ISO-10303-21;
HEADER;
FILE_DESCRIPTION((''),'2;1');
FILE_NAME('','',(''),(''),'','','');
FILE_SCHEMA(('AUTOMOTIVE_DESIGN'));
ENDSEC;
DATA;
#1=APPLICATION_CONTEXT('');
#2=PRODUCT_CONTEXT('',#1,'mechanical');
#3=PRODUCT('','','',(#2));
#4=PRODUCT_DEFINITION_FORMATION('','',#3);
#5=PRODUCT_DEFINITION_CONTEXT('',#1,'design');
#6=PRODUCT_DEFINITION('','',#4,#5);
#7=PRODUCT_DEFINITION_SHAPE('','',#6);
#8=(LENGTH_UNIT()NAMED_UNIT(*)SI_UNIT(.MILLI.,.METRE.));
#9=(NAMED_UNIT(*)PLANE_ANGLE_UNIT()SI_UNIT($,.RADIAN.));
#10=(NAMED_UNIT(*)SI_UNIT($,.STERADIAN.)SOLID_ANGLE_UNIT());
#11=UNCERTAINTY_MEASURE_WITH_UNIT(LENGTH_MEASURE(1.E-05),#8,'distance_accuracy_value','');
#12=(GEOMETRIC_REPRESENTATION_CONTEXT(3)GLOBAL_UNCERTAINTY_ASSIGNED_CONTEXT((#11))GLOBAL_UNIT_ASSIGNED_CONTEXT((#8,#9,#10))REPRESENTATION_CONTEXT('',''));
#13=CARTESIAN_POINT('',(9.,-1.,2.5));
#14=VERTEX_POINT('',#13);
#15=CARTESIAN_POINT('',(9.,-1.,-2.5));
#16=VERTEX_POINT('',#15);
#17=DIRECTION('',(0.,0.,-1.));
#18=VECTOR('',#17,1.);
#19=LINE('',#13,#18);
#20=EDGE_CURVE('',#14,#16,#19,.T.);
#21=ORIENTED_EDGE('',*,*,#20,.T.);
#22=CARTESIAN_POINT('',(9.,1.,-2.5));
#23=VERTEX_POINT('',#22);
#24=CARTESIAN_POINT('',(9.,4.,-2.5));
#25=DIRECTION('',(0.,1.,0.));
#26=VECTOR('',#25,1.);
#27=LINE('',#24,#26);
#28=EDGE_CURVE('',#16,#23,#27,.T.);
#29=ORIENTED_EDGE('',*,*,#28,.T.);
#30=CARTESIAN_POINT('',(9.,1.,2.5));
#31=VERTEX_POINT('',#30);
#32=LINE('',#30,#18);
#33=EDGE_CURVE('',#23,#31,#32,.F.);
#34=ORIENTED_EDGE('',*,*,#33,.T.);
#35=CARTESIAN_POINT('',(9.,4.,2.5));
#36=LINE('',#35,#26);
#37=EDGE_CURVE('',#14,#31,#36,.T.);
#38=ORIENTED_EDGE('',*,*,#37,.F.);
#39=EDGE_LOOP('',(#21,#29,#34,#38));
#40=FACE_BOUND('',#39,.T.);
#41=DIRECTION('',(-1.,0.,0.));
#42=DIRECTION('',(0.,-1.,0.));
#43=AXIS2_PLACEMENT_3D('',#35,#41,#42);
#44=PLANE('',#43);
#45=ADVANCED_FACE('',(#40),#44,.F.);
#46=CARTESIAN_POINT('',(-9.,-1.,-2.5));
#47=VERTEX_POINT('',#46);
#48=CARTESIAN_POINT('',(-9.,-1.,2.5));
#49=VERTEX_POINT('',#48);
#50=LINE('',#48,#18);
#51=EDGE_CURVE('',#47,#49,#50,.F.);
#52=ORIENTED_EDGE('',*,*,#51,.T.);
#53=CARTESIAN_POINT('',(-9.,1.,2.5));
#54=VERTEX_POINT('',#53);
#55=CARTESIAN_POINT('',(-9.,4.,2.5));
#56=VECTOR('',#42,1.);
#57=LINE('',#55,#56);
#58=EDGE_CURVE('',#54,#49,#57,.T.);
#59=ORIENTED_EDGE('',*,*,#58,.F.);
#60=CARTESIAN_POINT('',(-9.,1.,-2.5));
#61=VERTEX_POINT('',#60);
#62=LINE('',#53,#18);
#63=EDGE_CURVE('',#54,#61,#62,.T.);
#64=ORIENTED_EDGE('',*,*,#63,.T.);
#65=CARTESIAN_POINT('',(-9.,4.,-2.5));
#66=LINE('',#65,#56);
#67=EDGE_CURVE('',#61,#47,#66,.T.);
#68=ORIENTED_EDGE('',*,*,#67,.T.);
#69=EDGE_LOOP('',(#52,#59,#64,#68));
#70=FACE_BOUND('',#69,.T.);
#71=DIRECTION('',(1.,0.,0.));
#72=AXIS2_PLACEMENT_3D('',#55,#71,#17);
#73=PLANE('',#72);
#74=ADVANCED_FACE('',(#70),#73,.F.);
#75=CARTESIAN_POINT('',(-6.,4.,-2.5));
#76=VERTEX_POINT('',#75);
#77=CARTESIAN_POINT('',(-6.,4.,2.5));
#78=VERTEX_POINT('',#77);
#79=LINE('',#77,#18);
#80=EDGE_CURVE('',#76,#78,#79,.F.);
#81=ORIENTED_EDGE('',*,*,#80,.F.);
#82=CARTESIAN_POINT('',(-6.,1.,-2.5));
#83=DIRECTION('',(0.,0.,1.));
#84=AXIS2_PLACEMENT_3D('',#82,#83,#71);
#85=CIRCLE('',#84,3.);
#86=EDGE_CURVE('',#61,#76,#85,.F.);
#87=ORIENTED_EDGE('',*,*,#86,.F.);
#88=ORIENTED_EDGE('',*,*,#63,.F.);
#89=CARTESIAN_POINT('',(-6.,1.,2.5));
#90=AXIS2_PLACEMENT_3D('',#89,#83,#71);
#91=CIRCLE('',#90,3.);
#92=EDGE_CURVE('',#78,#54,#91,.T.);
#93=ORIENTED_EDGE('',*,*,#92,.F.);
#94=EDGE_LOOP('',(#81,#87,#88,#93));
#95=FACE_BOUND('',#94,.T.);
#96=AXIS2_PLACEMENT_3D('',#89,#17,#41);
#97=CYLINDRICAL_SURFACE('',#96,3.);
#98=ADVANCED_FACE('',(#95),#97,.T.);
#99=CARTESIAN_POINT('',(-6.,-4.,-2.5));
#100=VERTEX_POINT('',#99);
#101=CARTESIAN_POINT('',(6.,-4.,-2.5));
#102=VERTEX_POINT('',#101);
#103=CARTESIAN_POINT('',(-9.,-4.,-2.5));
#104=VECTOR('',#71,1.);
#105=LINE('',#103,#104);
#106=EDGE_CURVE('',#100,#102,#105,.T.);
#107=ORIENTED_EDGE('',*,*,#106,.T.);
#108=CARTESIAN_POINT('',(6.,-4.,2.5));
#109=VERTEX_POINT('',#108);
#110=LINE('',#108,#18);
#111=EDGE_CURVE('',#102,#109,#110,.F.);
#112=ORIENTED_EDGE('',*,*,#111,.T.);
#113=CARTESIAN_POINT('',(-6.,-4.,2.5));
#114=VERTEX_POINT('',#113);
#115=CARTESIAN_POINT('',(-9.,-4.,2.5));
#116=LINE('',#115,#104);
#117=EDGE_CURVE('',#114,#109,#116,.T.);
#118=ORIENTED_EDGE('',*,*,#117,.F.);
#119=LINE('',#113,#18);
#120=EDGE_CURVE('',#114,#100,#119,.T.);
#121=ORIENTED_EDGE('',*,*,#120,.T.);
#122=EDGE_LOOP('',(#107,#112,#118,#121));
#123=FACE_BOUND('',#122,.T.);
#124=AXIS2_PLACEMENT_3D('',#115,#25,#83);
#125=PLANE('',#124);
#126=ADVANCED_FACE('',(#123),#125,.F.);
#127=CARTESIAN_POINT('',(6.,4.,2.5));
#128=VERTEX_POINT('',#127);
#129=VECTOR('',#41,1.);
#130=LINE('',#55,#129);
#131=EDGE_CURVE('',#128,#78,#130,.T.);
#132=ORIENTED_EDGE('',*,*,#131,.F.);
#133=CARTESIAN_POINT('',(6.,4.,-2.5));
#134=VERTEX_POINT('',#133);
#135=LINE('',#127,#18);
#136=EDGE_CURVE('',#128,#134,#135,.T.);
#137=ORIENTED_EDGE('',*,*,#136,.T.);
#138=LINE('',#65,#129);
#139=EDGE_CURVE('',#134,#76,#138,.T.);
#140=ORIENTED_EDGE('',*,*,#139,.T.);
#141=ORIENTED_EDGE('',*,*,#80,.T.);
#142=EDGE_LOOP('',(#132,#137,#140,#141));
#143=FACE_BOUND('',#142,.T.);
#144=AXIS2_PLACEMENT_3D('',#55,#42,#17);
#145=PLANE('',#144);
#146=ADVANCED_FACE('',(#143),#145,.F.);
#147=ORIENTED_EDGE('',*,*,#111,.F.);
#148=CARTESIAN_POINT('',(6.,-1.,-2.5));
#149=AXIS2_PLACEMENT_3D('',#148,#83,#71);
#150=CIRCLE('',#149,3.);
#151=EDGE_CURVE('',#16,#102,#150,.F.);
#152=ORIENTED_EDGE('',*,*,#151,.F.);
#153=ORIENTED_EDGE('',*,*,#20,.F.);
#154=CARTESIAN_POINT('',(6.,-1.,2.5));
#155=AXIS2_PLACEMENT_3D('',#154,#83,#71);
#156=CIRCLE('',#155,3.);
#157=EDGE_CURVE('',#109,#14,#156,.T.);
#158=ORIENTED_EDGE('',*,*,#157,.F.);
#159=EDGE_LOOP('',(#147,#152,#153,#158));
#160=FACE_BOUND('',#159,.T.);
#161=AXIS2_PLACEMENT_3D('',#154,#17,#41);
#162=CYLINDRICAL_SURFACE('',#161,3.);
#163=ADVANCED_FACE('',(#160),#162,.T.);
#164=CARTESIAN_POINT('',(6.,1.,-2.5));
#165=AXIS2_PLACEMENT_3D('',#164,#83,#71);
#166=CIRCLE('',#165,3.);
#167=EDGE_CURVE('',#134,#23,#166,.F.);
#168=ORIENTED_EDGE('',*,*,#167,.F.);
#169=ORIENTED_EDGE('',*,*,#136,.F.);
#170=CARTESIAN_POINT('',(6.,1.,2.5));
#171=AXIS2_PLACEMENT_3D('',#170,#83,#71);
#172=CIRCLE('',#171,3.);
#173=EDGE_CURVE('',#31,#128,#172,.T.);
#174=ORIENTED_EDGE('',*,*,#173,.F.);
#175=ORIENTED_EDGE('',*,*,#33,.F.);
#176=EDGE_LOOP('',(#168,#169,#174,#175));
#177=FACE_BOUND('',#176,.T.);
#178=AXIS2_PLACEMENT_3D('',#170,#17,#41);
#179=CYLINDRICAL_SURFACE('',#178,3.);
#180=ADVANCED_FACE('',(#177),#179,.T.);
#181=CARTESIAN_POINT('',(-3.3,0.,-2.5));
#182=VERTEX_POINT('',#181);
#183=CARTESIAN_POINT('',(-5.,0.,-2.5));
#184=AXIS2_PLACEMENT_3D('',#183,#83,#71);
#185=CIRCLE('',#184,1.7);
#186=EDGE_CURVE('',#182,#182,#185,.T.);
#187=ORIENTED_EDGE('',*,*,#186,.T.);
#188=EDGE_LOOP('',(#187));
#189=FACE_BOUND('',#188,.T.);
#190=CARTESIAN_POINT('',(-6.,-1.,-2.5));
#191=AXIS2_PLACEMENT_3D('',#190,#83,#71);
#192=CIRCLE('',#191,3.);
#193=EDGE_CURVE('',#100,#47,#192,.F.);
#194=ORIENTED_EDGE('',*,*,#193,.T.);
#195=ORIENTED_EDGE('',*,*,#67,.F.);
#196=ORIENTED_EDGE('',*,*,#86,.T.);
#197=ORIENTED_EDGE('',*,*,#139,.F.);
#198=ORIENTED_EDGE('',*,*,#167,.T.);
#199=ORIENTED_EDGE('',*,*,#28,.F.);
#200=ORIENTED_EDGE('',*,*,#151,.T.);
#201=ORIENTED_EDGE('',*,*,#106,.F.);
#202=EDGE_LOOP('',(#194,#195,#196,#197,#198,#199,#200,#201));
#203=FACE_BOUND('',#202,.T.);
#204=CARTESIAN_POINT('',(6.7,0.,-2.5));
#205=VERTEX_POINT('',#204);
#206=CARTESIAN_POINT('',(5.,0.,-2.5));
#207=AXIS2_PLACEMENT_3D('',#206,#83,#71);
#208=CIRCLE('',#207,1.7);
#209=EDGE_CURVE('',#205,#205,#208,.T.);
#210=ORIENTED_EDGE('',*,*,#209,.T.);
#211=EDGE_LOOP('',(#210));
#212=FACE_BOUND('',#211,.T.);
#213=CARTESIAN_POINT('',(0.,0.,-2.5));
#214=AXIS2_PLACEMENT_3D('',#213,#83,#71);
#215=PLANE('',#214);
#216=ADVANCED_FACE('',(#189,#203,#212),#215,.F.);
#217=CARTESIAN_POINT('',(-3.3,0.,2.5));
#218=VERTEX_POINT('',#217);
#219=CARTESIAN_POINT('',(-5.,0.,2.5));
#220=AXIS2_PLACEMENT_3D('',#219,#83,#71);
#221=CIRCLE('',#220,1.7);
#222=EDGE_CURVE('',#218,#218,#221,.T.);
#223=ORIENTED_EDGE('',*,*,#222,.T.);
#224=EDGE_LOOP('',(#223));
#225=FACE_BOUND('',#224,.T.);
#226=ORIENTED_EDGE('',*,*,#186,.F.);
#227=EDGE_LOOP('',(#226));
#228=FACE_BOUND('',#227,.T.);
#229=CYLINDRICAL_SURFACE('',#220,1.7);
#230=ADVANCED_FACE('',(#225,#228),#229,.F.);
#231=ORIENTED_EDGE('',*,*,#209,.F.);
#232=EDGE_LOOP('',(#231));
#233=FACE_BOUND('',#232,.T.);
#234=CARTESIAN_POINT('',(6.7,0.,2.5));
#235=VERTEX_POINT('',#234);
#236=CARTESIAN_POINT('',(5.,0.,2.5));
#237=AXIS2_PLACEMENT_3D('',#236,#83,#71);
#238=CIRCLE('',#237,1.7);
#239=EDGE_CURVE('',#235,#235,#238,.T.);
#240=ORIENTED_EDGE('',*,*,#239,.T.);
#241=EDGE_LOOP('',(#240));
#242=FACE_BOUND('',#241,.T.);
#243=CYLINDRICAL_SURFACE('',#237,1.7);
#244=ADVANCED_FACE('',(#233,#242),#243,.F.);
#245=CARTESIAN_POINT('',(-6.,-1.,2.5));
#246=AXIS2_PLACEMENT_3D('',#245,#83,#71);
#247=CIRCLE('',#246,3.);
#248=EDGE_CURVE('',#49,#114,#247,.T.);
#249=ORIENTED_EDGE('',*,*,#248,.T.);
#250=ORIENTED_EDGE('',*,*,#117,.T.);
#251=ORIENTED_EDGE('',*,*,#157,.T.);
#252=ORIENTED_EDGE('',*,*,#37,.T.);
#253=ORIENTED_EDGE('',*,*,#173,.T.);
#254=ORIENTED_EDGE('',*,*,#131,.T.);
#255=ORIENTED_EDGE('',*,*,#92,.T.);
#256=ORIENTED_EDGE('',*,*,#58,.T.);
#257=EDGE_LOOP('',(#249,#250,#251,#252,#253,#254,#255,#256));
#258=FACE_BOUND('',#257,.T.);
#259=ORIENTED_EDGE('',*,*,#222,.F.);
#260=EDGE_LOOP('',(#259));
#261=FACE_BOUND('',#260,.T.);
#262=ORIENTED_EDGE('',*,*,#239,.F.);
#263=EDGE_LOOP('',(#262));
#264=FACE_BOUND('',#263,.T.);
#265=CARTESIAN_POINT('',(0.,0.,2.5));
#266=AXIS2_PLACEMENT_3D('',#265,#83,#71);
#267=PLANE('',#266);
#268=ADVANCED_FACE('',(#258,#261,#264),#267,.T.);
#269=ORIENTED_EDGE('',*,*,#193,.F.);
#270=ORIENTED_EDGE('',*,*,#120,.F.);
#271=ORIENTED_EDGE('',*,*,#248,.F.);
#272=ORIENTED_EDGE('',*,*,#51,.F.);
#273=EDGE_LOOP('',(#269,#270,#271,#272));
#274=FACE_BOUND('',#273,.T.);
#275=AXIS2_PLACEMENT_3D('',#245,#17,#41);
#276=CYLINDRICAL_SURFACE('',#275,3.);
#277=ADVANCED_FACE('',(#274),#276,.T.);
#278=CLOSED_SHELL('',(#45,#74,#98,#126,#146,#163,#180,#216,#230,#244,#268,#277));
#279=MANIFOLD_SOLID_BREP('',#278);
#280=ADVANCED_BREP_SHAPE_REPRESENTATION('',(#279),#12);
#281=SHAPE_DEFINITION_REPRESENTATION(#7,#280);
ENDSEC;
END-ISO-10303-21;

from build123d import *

# Parameters (mm, degrees)
SKETCH1_W            = 18
SKETCH1_H            = 8
BOSS_EXTRUDE1_DEPTH  = 2.5
M3_CLEARANCE_HOLE1_D = 3.4
FILLET1_R            = 3


with BuildPart() as part:
    # Sketch1 → Boss-Extrude1 (new body, symmetric)
    with BuildSketch(Plane.XY):
        Rectangle(SKETCH1_W, SKETCH1_H)
    extrude(amount=BOSS_EXTRUDE1_DEPTH, both=True)

    # M3 Clearance Hole1 (through all)
    with Locations(Plane.XY.offset(2.5)):
        with Locations((-5, 0), (5, 0)):
            Hole(M3_CLEARANCE_HOLE1_D / 2)

    # Fillet1
    fillet1_edges = [part.edges().sort_by_distance(p)[0] for p in [
        (9, -4, 0),
        (-9, -4, 0),
        (-9, 4, 0),
        (9, 4, 0),
    ]]
    fillet(fillet1_edges, radius=FILLET1_R)


solid = part.part
